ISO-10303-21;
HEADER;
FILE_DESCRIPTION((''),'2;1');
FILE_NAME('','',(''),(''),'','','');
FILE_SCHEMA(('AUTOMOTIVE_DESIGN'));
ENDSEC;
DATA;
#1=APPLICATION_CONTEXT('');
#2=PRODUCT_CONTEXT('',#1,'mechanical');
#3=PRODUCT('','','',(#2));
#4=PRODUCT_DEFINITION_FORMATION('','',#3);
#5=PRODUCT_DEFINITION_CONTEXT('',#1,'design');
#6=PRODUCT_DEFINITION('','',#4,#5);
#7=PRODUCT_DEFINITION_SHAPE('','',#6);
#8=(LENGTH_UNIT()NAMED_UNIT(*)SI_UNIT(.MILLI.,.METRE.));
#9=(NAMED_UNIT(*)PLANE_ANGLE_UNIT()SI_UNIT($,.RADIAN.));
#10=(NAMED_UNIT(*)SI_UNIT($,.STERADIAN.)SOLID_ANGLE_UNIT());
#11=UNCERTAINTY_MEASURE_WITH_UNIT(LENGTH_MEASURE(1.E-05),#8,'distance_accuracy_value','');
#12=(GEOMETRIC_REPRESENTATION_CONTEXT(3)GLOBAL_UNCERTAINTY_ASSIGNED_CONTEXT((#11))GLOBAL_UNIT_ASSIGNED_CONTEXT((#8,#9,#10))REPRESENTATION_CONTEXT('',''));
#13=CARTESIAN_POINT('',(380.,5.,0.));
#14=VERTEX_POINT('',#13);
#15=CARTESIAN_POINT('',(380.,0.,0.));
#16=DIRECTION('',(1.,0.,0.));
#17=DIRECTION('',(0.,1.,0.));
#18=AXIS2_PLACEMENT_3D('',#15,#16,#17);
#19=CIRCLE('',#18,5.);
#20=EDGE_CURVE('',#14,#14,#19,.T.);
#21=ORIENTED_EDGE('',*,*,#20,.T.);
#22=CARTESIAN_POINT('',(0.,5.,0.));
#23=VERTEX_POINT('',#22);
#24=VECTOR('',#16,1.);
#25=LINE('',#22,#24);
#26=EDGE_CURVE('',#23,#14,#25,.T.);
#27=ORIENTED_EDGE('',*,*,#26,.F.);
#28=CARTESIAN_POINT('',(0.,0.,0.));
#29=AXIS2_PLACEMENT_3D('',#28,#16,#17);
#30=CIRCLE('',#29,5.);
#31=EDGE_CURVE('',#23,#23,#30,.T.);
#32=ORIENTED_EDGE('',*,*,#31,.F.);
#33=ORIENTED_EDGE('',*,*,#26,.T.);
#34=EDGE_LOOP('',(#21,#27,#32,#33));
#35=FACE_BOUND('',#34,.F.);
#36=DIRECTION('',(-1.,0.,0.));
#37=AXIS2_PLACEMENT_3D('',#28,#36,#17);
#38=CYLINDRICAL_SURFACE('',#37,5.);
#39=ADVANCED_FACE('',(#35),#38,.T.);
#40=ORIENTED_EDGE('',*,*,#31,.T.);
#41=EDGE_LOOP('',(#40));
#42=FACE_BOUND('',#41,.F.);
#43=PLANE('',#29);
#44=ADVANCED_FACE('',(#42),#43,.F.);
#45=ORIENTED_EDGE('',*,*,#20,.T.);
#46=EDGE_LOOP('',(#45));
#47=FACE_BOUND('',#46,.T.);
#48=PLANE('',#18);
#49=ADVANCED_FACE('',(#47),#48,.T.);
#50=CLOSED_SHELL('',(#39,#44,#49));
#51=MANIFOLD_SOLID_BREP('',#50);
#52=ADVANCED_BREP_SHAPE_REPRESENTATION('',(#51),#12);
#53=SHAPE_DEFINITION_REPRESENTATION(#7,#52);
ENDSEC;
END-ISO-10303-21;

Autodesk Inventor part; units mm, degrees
ref_plane "YZ Plane" through (0, 0, 0) normal (1, 0, 0) x (0, 1, 0)
ref_plane "XY Plane" through (0, 0, 0) normal (0, 0, 1) x (1, 0, 0)
sketch "Skizze1" plane through (0, 0, 0) normal (1, 0, 0) x (0, 1, 0)
  circle A0 centre (0, 0) radius 5
  dimension "d0" = 10
extrude "Extrusion1" add sketch "Skizze1" along normal blind 380
ref_plane "Arbeitsebene1" through (0, 0, 0) normal (0, 1, 0) x (-1, 0, 0)
properties part number "Stab"
